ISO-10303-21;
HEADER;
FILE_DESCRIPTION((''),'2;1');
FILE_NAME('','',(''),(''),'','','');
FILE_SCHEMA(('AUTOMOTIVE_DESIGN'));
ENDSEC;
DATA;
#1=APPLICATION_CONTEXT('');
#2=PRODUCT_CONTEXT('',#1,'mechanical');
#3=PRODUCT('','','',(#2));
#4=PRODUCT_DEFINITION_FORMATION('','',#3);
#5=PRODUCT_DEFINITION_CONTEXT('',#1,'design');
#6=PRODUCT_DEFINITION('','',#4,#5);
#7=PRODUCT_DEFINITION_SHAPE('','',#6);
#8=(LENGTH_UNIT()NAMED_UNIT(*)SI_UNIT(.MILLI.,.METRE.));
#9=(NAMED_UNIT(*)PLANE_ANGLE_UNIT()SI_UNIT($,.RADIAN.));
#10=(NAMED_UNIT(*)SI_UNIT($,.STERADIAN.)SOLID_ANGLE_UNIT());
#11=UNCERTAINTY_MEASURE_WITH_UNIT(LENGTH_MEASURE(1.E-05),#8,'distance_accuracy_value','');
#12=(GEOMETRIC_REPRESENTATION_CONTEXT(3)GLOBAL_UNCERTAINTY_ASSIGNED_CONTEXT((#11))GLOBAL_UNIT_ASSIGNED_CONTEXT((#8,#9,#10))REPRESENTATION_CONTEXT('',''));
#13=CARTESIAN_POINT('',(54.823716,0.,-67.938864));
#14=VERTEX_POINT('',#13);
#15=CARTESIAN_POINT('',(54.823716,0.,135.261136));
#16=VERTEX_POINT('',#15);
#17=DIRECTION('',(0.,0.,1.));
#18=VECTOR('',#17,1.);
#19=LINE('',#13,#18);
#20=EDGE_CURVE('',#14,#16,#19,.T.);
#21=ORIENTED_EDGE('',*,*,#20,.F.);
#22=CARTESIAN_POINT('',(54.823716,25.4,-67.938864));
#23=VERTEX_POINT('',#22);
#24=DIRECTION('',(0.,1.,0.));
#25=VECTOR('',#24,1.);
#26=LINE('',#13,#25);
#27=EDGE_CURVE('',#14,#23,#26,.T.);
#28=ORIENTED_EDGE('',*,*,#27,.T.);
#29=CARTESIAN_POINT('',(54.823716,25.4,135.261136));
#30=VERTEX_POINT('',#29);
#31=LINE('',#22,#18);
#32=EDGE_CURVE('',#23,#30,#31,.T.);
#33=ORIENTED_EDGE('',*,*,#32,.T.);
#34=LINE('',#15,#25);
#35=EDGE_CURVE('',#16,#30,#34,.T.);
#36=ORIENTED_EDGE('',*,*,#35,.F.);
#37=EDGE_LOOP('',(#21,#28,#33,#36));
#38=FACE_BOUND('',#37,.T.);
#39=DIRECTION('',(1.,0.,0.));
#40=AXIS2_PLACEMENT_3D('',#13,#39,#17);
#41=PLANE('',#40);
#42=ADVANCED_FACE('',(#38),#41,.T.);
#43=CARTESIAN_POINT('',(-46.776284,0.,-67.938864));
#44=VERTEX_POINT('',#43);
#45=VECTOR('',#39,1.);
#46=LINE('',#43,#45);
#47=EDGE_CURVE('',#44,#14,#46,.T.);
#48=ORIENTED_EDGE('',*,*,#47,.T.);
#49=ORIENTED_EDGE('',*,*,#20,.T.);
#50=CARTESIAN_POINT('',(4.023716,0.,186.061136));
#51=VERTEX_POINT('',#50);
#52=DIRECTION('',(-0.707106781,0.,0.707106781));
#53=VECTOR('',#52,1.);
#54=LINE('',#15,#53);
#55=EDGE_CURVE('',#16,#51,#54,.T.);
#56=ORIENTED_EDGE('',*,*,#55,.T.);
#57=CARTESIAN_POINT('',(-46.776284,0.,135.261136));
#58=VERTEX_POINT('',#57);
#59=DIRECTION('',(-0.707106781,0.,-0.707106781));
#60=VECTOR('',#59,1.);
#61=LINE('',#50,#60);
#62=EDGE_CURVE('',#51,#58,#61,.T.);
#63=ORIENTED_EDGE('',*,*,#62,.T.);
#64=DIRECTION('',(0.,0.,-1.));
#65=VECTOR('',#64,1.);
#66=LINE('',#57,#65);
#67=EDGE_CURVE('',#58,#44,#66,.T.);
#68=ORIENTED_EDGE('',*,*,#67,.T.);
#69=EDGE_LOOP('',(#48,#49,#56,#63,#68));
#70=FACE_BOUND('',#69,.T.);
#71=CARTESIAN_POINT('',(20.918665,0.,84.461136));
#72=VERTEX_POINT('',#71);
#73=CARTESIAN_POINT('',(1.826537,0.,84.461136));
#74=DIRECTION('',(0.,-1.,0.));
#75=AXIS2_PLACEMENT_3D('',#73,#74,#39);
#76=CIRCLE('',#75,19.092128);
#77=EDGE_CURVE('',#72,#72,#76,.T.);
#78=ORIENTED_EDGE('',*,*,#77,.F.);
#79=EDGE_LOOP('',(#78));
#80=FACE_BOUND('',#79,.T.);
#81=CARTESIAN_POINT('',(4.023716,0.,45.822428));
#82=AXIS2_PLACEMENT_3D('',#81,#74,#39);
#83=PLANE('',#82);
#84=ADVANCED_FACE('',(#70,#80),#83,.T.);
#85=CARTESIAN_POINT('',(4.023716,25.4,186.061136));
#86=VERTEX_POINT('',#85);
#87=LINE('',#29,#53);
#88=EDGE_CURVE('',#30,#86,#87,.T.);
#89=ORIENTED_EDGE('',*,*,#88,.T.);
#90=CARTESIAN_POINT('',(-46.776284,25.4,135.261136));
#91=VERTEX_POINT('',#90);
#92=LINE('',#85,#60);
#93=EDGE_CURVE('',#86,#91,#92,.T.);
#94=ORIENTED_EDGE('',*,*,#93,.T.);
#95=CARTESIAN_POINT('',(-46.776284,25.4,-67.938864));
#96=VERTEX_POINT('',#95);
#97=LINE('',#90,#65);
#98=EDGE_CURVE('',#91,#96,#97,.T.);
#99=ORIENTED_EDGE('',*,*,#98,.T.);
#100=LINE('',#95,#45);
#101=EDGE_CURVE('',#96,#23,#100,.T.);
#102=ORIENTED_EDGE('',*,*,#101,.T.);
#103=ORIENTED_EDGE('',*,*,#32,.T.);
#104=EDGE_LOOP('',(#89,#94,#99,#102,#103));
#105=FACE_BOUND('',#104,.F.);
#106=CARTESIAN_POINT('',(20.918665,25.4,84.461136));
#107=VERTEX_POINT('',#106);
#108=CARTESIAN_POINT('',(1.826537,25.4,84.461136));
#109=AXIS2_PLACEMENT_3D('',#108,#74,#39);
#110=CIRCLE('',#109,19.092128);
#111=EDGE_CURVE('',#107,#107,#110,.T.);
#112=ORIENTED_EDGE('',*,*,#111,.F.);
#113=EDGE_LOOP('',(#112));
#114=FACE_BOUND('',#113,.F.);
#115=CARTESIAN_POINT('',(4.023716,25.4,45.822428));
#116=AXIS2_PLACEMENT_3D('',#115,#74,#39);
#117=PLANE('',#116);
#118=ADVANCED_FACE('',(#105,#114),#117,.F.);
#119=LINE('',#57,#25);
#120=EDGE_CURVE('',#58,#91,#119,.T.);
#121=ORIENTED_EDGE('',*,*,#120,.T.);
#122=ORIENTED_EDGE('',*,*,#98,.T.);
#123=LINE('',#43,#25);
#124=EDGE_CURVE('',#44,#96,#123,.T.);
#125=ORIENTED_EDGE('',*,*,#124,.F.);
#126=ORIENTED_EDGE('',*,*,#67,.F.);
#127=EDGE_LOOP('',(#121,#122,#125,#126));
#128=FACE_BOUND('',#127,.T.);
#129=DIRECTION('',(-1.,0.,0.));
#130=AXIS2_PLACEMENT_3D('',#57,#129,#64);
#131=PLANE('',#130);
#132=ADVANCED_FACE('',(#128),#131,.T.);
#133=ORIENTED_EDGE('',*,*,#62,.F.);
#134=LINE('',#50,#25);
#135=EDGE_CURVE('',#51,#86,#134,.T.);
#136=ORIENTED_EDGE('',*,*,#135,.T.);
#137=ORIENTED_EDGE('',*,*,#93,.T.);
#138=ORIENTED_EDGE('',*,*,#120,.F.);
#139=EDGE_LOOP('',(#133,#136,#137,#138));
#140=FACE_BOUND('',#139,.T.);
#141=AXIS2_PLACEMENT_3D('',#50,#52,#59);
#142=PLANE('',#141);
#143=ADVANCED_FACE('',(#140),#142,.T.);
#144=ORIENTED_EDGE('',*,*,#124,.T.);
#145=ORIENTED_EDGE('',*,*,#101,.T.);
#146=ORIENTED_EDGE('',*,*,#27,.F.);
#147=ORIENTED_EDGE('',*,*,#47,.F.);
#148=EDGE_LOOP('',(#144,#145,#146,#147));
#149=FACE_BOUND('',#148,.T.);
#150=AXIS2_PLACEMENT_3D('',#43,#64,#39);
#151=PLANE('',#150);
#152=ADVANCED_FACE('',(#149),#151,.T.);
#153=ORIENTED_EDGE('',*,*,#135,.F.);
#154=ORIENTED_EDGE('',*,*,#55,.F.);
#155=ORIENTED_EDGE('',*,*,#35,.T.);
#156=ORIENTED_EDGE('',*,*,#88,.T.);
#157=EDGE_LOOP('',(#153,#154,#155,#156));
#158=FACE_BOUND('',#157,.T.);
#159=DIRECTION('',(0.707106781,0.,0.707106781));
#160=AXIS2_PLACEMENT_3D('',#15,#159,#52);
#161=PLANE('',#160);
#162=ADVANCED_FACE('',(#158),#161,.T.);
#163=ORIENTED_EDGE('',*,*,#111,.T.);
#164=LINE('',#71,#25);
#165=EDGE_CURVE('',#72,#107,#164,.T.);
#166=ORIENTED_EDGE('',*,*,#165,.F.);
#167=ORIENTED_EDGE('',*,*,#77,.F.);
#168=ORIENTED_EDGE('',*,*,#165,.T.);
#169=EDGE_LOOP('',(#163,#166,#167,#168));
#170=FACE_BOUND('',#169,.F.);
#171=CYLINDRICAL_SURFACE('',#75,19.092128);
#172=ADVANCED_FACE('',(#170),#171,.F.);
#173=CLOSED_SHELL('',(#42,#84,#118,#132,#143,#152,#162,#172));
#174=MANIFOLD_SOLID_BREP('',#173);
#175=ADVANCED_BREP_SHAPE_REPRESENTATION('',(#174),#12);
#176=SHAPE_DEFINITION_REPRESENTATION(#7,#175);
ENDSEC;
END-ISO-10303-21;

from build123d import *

# Parameters (mm, degrees)
F0_R     = 19.092128
F1_DEPTH = 25.4


with BuildPart() as f1:
    # F0 (on Front) → F1 (new body)
    with BuildSketch(Plane.XZ):
        Polygon((-46.776284, 84.461136), (-46.776284, -67.938864), (54.823716, -67.938864), (54.823716, 84.461136), (54.823716, 135.261136), (4.023716, 186.061136), (-46.776284, 135.261136), align=None)
        with Locations((1.826537, 84.461136)):
            Circle(F0_R, mode=Mode.SUBTRACT)
    extrude(amount=-F1_DEPTH)


solid = f1.part
